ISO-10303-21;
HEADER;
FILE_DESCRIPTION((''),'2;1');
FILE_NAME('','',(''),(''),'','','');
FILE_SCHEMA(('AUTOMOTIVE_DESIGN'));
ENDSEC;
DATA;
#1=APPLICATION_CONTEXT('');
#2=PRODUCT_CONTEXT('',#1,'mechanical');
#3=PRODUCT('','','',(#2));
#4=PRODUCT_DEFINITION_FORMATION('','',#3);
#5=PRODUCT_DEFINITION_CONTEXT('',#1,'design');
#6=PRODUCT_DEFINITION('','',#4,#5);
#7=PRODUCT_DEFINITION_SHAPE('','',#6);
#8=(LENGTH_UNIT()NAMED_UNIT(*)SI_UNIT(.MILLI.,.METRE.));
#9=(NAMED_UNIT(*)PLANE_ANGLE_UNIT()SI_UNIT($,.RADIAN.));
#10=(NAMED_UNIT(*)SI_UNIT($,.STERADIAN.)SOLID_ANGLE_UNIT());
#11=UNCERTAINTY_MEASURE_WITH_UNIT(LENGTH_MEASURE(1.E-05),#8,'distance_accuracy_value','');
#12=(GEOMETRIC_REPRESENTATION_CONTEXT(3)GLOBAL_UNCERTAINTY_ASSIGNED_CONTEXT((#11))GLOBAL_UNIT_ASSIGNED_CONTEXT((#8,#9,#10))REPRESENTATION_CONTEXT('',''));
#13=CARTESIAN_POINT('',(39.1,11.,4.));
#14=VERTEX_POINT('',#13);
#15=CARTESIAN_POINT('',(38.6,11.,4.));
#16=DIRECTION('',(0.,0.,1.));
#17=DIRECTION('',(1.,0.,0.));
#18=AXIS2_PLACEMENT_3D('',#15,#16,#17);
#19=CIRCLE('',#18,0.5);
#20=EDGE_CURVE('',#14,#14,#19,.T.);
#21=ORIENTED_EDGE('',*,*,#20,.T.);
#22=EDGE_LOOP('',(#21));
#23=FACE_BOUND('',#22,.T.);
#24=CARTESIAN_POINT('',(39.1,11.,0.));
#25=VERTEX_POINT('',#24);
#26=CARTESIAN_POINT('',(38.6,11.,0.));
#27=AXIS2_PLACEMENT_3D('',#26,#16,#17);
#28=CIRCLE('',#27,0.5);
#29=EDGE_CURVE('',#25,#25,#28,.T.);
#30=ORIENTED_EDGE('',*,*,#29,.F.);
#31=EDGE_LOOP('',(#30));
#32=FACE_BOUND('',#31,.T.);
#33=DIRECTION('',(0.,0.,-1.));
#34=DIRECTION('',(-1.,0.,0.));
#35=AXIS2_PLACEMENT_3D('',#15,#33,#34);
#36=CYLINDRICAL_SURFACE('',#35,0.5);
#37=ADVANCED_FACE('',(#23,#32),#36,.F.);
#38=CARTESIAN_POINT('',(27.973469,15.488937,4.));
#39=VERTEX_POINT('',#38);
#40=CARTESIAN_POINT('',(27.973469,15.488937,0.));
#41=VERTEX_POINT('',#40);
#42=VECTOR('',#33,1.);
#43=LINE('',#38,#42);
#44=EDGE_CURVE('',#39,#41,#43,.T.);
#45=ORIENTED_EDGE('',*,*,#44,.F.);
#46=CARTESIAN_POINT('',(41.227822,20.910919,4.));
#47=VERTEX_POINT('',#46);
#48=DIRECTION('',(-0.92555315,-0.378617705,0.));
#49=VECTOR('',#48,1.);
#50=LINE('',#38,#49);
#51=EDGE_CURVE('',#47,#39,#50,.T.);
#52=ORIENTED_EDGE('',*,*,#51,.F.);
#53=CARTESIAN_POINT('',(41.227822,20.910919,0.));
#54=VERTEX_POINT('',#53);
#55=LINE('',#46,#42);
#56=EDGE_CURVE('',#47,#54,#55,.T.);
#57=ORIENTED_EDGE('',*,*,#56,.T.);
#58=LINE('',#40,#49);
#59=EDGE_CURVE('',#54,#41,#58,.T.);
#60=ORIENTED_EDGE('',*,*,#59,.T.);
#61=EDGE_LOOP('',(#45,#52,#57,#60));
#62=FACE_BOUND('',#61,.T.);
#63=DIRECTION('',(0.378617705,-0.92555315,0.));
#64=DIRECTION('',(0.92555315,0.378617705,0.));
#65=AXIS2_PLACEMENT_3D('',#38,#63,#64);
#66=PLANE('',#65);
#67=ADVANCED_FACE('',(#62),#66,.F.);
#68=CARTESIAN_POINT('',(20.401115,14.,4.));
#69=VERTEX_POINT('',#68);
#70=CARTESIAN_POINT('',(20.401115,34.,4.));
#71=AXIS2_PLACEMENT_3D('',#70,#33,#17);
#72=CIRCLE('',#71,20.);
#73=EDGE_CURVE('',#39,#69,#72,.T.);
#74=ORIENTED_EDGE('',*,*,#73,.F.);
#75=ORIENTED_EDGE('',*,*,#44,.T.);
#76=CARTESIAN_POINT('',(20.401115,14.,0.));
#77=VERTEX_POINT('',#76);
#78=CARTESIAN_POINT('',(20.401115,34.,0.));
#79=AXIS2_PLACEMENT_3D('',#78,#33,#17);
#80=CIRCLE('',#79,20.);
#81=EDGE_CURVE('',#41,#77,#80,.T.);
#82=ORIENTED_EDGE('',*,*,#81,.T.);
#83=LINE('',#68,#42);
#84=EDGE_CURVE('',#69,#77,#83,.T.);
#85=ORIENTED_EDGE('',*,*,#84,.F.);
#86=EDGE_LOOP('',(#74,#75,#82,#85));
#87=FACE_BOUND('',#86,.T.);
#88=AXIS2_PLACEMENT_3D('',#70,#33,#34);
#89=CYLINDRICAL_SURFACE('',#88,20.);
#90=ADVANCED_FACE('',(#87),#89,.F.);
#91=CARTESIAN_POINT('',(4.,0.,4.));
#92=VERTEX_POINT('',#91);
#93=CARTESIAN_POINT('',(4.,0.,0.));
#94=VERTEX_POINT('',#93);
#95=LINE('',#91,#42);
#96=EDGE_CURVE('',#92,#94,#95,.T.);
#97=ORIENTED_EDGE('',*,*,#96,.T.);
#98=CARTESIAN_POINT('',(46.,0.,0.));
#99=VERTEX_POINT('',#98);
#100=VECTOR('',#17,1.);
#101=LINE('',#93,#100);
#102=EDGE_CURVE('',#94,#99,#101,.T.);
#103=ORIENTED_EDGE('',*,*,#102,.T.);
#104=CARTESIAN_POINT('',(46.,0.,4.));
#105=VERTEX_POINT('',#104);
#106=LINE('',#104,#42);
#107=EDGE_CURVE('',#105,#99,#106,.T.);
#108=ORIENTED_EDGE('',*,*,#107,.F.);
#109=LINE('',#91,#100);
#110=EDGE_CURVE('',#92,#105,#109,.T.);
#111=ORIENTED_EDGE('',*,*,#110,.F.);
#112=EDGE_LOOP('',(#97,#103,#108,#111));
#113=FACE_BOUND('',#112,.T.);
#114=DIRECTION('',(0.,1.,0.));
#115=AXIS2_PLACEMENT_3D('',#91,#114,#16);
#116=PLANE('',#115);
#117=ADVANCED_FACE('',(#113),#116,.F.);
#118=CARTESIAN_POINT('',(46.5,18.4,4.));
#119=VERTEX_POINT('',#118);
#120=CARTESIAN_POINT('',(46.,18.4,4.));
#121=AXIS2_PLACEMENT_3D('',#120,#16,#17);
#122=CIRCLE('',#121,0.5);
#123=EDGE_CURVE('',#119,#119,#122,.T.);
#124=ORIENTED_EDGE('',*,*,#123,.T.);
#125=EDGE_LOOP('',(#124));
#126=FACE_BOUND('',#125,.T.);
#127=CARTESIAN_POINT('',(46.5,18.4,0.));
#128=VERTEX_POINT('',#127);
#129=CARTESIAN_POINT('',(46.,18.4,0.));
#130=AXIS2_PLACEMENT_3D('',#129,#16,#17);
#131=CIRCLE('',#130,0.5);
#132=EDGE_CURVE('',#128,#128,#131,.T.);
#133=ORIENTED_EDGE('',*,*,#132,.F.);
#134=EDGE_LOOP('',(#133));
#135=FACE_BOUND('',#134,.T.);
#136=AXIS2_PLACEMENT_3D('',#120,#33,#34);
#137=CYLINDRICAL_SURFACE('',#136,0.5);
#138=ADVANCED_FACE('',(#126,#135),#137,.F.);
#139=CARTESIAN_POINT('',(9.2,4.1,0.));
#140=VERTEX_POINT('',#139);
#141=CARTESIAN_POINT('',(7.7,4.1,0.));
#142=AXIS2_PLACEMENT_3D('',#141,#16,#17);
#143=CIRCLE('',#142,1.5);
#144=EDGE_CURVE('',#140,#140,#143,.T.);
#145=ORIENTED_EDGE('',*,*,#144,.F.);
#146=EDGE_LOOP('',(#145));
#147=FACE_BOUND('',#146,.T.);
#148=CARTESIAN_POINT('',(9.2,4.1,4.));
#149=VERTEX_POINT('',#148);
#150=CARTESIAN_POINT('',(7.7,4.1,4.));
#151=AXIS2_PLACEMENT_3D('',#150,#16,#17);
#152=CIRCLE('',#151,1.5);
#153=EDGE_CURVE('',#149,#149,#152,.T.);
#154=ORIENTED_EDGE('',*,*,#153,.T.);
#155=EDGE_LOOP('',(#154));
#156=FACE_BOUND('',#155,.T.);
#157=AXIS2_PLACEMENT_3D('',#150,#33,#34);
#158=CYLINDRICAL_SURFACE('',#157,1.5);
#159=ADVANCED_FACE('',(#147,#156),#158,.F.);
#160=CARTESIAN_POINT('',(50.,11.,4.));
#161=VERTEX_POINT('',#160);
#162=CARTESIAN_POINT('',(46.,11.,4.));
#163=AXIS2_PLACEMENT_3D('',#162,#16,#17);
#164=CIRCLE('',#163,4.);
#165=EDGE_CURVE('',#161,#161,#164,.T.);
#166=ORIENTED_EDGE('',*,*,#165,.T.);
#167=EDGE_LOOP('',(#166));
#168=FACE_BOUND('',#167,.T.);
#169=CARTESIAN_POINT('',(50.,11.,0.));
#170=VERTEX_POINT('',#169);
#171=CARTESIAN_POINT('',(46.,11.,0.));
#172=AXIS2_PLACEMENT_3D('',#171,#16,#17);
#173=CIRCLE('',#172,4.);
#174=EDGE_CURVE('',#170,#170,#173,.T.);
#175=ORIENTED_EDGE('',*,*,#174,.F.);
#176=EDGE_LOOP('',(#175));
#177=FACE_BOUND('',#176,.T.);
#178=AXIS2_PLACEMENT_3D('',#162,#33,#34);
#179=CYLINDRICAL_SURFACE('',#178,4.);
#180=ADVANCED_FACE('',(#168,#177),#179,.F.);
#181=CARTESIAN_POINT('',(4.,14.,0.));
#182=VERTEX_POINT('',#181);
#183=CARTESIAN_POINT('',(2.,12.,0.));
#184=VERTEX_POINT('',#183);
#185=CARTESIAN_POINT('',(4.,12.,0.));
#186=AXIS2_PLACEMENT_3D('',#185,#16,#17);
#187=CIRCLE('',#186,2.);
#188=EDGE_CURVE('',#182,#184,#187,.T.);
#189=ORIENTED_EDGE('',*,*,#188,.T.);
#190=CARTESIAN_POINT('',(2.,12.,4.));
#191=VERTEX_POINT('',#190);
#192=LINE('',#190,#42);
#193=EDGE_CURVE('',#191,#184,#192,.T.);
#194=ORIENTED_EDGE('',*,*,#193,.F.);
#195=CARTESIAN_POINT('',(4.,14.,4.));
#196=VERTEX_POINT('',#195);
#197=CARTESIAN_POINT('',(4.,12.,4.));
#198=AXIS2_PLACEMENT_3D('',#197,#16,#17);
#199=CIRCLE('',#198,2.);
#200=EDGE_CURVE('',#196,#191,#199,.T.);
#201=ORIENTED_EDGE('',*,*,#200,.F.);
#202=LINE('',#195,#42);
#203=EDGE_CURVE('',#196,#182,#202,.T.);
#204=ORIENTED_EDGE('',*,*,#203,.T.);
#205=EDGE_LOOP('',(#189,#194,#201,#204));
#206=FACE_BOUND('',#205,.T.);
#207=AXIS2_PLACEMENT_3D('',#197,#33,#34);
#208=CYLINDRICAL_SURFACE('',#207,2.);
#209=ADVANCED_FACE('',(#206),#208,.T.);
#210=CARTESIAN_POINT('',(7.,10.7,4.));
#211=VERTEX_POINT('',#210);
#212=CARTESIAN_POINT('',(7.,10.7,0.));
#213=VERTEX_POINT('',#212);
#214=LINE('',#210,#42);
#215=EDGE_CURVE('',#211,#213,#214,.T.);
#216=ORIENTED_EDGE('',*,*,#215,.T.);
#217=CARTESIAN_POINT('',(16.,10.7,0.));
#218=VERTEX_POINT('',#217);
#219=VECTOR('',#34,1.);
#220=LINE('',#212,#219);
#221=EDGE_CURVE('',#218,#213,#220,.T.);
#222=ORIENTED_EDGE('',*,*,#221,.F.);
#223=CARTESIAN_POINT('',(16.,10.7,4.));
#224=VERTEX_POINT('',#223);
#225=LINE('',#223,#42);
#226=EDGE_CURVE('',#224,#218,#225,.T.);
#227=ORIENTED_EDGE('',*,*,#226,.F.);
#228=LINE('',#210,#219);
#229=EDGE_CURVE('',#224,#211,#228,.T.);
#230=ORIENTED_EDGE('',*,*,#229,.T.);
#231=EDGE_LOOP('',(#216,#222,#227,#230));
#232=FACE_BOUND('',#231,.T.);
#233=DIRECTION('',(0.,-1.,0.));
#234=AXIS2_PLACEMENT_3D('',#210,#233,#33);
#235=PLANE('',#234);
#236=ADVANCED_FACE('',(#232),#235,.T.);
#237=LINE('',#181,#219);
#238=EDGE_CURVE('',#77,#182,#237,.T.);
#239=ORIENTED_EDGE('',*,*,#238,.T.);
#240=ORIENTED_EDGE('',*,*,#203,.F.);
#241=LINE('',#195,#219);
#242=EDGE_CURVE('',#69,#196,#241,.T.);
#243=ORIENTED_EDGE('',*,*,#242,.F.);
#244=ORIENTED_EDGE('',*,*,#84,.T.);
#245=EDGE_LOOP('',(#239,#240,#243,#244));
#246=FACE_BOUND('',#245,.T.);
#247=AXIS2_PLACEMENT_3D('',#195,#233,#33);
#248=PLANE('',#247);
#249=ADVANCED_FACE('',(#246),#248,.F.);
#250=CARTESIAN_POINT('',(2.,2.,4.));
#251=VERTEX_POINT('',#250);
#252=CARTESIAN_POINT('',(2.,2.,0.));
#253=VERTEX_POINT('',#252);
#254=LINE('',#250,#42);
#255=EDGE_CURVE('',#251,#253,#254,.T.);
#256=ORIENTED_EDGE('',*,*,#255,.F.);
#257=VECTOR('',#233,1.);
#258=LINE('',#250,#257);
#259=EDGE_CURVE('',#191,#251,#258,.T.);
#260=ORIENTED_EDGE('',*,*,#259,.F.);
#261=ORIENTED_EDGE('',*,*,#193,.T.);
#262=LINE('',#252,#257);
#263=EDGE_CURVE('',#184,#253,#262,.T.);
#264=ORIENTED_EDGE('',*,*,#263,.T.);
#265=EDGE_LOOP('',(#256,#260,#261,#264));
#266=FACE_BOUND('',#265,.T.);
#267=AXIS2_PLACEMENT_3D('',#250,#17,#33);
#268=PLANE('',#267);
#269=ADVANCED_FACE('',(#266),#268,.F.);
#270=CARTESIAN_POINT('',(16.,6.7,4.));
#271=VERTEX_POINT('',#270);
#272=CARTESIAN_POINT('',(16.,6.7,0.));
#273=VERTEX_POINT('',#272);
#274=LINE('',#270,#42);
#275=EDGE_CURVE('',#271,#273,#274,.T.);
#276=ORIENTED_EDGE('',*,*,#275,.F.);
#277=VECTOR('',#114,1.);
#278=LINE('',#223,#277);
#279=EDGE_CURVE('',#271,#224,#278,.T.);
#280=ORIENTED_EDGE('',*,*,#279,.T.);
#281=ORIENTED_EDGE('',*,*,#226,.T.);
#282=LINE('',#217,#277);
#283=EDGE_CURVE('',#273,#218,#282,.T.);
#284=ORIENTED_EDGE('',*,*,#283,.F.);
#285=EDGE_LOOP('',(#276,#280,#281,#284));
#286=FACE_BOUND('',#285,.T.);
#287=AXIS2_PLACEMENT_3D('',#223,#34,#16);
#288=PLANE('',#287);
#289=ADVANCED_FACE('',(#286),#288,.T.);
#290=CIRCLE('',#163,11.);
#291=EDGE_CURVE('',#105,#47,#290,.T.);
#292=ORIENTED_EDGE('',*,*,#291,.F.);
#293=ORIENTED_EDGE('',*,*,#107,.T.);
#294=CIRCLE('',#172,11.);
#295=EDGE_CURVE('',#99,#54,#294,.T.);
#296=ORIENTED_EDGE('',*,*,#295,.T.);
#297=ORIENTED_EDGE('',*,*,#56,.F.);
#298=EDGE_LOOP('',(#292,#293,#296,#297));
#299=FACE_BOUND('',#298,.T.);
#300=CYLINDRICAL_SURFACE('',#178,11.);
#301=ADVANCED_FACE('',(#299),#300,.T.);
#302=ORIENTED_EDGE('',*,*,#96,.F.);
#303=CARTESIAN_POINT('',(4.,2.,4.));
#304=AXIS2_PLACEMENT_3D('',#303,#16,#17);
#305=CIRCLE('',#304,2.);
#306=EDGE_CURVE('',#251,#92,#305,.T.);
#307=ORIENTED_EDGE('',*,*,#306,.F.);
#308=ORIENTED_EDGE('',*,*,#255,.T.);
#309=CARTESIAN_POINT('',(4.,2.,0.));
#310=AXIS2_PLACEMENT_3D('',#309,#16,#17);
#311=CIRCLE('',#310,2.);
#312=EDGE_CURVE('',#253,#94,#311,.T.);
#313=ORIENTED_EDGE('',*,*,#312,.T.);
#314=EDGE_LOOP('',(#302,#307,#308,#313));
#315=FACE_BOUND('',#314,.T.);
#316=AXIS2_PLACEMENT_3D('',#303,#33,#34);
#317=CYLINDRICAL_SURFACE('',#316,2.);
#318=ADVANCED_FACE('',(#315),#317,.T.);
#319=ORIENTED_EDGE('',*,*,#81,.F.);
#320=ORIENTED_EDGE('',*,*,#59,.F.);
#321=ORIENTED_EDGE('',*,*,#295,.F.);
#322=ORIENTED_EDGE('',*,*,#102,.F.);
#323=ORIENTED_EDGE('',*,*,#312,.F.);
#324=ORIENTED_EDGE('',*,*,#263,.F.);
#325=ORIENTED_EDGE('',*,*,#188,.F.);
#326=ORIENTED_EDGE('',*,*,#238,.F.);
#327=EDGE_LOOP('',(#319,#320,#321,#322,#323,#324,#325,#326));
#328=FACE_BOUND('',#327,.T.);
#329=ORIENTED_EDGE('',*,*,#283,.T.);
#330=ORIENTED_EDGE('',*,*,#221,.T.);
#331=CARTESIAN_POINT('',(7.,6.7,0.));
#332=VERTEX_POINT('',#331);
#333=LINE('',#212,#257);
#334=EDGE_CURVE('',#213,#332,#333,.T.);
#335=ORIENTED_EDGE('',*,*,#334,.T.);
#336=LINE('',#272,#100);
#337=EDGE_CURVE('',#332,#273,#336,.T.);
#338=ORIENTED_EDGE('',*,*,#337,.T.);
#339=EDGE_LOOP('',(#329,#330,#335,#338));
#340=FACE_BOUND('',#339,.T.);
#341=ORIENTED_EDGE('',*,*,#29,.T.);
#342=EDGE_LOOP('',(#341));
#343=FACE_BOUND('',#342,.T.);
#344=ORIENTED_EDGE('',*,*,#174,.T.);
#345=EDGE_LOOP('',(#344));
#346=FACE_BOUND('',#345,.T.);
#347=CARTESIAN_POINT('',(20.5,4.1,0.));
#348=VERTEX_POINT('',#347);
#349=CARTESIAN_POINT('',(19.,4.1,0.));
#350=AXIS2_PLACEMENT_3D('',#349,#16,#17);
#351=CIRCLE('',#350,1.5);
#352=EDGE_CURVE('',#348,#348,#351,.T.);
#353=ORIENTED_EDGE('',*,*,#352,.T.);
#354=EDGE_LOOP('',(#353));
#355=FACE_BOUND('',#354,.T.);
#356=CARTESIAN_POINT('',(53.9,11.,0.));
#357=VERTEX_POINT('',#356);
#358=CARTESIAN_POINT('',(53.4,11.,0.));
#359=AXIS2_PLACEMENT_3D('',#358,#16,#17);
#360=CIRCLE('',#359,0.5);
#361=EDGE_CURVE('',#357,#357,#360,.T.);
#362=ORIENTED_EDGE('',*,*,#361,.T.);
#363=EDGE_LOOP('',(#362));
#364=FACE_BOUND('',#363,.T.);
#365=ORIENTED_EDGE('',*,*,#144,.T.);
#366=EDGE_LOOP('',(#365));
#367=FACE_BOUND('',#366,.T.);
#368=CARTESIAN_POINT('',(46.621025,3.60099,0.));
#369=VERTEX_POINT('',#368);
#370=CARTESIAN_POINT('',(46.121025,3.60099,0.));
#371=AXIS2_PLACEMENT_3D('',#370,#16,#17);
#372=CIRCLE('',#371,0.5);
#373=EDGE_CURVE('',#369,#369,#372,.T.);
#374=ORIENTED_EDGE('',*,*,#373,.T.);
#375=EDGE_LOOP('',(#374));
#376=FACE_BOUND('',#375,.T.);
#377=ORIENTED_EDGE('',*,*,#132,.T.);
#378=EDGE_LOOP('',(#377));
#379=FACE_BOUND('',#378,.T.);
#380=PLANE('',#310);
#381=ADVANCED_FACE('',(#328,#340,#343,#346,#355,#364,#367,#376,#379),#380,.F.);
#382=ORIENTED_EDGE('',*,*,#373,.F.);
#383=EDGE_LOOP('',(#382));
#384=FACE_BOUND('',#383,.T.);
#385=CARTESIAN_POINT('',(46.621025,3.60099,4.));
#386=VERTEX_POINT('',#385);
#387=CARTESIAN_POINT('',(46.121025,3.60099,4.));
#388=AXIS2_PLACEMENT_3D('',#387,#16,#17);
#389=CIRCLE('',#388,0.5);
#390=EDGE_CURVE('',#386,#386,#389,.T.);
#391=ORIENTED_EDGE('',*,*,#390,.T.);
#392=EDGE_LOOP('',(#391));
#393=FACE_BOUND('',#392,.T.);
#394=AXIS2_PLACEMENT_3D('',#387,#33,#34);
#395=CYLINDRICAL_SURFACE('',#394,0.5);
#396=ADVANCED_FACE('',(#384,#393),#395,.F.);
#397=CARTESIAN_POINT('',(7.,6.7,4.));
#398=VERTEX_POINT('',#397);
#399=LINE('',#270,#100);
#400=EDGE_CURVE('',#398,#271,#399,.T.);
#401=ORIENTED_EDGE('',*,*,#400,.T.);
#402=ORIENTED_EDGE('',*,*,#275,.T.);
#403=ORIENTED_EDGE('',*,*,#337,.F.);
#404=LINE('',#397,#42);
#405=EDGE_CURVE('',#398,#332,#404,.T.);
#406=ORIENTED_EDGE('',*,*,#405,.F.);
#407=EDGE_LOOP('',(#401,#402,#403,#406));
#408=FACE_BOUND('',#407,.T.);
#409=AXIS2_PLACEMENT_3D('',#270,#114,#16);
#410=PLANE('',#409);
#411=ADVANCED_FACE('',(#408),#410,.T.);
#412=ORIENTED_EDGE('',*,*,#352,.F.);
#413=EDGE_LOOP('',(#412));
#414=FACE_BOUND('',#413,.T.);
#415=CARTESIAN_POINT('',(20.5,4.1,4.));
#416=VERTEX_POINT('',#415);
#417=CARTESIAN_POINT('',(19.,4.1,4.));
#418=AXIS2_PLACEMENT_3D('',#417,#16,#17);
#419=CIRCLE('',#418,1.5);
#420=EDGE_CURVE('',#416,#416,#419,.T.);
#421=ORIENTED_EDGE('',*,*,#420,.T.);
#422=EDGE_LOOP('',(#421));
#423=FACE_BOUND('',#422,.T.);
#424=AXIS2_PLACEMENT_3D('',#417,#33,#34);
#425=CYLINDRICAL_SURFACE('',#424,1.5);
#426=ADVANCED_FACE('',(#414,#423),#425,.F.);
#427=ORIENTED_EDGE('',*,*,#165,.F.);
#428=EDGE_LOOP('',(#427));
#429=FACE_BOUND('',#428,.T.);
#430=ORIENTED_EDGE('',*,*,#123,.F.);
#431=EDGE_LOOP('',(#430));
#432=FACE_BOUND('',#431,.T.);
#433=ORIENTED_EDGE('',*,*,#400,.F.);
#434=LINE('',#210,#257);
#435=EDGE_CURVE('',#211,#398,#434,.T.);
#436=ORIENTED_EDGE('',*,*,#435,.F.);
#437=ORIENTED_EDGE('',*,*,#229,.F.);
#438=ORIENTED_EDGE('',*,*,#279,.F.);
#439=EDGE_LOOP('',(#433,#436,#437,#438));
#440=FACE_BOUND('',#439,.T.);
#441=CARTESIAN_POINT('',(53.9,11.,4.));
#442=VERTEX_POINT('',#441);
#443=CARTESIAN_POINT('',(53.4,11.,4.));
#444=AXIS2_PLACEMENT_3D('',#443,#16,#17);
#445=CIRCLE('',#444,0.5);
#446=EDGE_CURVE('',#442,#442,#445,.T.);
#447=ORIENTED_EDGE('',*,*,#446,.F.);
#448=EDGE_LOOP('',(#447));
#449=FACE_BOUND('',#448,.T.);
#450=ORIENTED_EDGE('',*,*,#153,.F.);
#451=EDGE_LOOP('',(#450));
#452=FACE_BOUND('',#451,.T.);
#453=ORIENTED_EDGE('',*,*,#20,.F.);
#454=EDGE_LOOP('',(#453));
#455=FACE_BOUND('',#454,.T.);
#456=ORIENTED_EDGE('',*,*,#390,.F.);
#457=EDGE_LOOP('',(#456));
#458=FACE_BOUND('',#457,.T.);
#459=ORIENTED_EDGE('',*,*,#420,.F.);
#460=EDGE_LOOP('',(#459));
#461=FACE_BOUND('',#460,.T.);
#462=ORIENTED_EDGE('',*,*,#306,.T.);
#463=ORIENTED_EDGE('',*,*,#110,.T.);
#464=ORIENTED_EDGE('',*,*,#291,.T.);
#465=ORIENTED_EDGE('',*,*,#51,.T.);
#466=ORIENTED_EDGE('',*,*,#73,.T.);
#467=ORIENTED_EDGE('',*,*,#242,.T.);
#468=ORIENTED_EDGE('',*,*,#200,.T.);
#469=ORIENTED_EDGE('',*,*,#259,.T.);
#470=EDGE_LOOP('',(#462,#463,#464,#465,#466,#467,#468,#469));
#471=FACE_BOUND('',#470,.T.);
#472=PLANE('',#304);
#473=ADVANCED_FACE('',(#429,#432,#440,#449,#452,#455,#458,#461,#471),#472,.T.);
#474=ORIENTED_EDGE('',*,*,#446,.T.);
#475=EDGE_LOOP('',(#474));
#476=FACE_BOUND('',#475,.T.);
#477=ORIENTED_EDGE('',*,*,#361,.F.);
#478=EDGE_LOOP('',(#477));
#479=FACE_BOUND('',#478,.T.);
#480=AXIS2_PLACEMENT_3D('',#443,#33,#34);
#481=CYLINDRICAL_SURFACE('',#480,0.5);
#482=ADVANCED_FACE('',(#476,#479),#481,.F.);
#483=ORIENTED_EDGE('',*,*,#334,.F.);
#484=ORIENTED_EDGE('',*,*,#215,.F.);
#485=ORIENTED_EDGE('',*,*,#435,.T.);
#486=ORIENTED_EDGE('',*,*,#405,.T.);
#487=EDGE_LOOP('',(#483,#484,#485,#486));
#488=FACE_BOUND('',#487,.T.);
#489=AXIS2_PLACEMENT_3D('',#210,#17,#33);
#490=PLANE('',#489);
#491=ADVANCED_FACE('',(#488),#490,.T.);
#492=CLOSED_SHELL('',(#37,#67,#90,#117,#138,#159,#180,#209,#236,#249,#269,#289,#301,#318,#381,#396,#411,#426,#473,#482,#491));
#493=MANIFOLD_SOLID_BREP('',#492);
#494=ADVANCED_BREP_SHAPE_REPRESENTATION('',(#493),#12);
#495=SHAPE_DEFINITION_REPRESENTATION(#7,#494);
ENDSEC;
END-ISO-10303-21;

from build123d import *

# Parameters (mm, degrees)
SKETCH1_R           = 4
SKETCH1_R_2         = 0.5
SKETCH1_R_3         = 1.5
SKETCH1_W           = 9
SKETCH1_H           = 4
BOSS_EXTRUDE1_DEPTH = 4


with BuildPart() as part:
    # Sketch1 → Boss-Extrude1 (new body)
    with BuildSketch(Plane.XY):
        with BuildLine():
            Line((2, 2), (2, 12))
            ThreePointArc((2, 12), (2.585786438, 13.414213562), (4, 14))
            Line((4, 14), (20.401115249, 14))
            ThreePointArc((20.401115249, 14), (24.259789892, 14.375764219), (27.973469349, 15.488937))
            Line((27.973469349, 15.488937), (41.227821741, 20.910918962))
            ThreePointArc((41.227821741, 20.910918962), (56.724274068, 13.447436559), (46, 0))
            Line((46, 0), (4, 0))
            ThreePointArc((4, 0), (2.585786438, 0.585786438), (2, 2))
        make_face()
        with Locations((46, 11)):
            Circle(SKETCH1_R, mode=Mode.SUBTRACT)
        with Locations((46, 18.4)):
            Circle(SKETCH1_R_2, mode=Mode.SUBTRACT)
        with Locations((46.121025162, 3.600989734)):
            Circle(SKETCH1_R_2, mode=Mode.SUBTRACT)
        with Locations((53.4, 11)):
            Circle(SKETCH1_R_2, mode=Mode.SUBTRACT)
        with Locations((38.6, 11)):
            Circle(SKETCH1_R_2, mode=Mode.SUBTRACT)
        with Locations((19, 4.1)):
            Circle(SKETCH1_R_3, mode=Mode.SUBTRACT)
        with Locations((7.7, 4.1)):
            Circle(SKETCH1_R_3, mode=Mode.SUBTRACT)
        with Locations((11.5, 8.7)):
            Rectangle(SKETCH1_W, SKETCH1_H, mode=Mode.SUBTRACT)
    extrude(amount=BOSS_EXTRUDE1_DEPTH)


solid = part.part
